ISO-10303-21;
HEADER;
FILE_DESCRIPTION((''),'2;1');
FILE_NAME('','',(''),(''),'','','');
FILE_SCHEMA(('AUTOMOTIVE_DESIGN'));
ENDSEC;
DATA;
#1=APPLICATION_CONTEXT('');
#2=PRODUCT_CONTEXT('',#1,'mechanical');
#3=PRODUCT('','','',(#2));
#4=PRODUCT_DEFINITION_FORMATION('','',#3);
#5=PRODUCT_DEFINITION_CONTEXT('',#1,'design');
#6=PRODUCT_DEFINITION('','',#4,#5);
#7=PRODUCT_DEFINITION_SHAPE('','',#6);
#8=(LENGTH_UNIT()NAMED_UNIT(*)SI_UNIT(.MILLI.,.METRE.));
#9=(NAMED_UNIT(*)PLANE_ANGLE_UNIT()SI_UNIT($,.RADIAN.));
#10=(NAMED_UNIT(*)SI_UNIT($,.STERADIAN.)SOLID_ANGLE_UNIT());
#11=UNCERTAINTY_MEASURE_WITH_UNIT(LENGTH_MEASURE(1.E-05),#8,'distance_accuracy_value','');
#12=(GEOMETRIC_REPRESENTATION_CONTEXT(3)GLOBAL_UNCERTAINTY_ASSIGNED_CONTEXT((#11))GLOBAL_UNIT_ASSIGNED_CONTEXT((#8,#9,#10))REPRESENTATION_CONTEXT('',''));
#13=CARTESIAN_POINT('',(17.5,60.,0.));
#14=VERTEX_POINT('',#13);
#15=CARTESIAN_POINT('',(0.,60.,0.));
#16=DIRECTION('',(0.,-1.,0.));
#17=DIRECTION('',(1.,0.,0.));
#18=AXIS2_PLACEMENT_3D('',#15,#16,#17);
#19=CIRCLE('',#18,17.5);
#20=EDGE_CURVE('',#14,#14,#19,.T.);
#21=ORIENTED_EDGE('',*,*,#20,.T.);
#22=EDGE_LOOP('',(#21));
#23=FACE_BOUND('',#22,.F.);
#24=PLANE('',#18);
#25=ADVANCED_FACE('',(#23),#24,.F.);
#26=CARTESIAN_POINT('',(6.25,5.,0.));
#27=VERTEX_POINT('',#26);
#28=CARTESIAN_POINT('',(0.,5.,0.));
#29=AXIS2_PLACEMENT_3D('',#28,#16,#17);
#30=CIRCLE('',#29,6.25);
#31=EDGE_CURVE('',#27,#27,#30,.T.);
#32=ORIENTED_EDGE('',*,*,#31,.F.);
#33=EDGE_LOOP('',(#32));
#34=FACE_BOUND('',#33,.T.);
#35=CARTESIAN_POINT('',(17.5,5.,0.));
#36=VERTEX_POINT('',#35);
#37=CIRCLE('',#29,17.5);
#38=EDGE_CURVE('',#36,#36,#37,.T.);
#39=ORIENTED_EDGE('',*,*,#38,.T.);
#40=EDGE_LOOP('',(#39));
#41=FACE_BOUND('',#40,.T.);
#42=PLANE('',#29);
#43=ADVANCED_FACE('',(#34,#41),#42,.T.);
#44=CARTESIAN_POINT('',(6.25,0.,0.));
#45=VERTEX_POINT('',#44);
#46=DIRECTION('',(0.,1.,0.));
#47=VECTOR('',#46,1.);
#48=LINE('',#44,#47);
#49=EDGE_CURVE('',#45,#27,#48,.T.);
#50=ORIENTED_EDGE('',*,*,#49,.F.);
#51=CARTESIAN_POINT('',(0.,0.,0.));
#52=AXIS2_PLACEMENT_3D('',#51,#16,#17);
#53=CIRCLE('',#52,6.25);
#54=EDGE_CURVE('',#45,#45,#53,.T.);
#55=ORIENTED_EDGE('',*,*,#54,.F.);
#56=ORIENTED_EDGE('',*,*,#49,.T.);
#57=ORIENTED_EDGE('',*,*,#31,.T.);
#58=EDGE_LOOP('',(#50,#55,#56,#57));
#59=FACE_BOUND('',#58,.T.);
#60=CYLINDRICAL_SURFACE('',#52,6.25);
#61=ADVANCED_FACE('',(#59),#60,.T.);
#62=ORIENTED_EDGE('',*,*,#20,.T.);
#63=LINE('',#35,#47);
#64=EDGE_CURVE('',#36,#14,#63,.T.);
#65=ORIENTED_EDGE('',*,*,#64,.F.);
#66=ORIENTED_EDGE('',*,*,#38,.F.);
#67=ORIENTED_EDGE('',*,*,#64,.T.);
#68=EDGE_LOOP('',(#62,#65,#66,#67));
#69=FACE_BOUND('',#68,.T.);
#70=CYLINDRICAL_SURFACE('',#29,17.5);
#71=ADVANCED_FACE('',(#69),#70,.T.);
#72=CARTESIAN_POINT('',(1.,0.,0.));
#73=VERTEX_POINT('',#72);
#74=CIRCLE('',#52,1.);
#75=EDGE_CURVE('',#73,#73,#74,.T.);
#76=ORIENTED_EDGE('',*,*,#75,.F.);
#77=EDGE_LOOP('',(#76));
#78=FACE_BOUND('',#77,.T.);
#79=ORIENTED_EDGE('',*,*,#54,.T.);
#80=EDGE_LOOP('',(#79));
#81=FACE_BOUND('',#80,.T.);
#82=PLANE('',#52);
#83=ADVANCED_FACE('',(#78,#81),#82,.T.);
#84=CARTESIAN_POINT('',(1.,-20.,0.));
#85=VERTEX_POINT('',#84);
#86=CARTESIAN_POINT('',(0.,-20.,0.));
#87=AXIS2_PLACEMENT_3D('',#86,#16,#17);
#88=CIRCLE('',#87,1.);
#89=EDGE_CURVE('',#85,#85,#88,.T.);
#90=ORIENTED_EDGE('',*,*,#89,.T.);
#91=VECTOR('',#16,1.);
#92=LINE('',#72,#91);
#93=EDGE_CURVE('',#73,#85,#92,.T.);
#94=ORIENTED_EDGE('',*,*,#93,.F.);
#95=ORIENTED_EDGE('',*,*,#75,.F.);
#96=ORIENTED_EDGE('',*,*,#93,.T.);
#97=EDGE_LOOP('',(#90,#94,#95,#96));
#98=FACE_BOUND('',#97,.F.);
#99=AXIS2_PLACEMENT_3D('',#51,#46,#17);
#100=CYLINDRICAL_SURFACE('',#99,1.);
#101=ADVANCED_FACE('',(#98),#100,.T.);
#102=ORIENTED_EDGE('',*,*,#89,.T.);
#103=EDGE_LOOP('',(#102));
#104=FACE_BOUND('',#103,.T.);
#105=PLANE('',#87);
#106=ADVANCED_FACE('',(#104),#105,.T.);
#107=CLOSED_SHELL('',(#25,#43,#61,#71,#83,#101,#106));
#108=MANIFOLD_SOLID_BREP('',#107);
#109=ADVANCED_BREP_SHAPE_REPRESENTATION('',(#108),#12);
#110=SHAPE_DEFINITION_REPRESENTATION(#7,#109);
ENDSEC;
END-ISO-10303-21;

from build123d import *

# Parameters (mm, degrees)
F0_R     = 1
F1_DEPTH = 20
F2_R     = 6.25
F3_DEPTH = 5
F5_R     = 17.5
F6_DEPTH = 55


with BuildPart() as f1:
    # F0 (on Front) → F1 (new body)
    with BuildSketch(Plane.XZ):
        Circle(F0_R)
    extrude(amount=F1_DEPTH)

    # F2 (on Front) → F3 (join)
    with BuildSketch(Plane.XZ):
        Circle(F2_R)
    extrude(amount=-F3_DEPTH)

    # F5 (on offset) → F6 (join)
    with BuildSketch(Plane.XZ.offset(-5)):
        Circle(F5_R)
    extrude(amount=-F6_DEPTH)


solid = f1.part
